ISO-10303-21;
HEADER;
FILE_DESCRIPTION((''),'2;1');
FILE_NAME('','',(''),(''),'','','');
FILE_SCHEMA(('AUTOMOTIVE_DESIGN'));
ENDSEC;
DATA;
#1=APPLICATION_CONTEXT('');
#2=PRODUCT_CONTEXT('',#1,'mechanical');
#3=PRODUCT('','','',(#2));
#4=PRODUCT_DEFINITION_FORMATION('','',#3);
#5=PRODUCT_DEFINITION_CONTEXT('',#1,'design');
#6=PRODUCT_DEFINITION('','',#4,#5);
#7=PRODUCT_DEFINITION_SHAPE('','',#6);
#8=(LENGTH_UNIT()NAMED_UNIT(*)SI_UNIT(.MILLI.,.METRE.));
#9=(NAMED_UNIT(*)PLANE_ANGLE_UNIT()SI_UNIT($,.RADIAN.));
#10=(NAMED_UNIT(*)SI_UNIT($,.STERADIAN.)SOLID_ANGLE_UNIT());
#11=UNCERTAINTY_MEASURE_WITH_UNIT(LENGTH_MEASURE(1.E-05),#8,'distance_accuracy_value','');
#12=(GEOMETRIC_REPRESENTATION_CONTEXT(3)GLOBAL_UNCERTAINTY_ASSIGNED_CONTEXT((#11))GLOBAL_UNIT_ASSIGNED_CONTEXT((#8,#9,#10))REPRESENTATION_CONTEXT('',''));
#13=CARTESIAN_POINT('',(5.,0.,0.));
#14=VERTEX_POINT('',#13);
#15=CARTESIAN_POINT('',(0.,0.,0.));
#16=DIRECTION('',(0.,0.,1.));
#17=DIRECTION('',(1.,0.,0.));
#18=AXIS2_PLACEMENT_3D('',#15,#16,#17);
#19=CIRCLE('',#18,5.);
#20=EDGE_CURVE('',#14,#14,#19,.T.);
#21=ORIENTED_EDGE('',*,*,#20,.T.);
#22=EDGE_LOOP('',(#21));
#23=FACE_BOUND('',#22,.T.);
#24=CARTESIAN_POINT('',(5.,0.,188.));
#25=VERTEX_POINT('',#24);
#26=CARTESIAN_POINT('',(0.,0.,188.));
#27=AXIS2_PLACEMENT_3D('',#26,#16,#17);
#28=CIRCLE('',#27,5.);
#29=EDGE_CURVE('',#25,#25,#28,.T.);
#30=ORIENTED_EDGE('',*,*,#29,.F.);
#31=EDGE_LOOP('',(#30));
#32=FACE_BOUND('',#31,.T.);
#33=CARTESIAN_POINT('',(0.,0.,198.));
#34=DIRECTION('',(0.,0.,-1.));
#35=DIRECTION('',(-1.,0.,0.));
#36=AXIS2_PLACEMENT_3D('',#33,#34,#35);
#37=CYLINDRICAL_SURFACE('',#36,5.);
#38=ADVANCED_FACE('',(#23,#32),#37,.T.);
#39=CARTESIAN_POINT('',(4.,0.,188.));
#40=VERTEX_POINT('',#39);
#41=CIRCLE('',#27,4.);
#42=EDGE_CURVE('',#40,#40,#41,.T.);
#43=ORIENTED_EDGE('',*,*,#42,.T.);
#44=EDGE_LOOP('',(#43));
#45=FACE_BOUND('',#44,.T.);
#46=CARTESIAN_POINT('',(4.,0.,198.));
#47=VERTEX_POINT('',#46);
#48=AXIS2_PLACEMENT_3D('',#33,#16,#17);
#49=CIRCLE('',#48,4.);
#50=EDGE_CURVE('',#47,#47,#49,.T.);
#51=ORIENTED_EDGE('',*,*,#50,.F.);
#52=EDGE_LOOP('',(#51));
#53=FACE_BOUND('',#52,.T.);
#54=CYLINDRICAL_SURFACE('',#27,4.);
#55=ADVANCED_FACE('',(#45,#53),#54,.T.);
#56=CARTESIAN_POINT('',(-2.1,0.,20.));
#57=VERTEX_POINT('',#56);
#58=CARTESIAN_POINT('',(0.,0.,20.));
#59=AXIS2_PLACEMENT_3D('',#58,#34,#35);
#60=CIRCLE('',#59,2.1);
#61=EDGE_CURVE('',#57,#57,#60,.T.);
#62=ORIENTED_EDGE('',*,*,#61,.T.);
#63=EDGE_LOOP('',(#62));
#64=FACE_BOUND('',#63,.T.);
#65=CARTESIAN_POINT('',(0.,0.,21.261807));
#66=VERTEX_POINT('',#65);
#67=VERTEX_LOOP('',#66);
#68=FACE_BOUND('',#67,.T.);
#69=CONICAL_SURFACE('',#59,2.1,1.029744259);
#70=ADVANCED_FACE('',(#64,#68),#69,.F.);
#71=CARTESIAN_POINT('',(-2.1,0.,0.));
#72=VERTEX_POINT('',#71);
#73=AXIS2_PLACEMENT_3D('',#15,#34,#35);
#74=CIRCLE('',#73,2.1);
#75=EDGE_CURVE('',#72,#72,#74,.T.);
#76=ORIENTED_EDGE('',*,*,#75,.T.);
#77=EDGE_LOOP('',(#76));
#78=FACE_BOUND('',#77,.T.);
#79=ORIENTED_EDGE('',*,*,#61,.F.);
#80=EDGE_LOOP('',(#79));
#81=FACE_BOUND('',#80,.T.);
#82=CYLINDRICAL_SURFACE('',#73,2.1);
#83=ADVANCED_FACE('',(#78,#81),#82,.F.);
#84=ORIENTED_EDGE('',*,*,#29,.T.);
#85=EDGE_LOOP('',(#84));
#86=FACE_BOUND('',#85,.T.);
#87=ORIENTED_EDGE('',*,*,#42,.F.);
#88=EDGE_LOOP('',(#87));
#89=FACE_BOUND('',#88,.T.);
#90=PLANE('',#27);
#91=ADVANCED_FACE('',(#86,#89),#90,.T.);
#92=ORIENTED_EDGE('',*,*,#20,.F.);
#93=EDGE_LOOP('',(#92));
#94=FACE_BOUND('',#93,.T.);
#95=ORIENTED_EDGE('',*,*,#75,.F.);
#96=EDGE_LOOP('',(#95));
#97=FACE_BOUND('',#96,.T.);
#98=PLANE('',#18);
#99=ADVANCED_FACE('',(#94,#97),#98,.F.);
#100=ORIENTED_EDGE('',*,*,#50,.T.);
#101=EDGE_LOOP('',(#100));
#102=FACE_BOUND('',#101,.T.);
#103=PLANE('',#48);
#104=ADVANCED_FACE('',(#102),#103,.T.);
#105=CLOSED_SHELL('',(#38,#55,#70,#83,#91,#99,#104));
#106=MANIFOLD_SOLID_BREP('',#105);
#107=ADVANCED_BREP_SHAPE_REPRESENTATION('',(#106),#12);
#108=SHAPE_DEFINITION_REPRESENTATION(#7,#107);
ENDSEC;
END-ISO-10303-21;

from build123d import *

# Parameters (mm, degrees)
SKETCH1_R                  = 5
BOSS_EXTRUDE1_DEPTH        = 198
OTW_R_GWINTOWANY_M52_D     = 4.2
OTW_R_GWINTOWANY_M52_DEPTH = 20
OTW_R_GWINTOWANY_M52_TIP   = 1.2618073
SZKIC7_R                   = 5.5
SZKIC7_R_2                 = 4
WYTNIJ_WYCI_GNI_CIE1_DEPTH = 10


with BuildPart() as part:
    # Sketch1 → Boss-Extrude1 (new body)
    with BuildSketch(Plane.XY):
        Circle(SKETCH1_R)
    extrude(amount=BOSS_EXTRUDE1_DEPTH)

    # Otwór gwintowany M52
    with Locations(Plane(origin=(0, 0, 0), x_dir=(-1, 0, 0), z_dir=(0, 0, -1))):
        with Locations((0, 0)):
            Hole(OTW_R_GWINTOWANY_M52_D / 2, depth=OTW_R_GWINTOWANY_M52_DEPTH)
            with Locations((0, 0, -(OTW_R_GWINTOWANY_M52_DEPTH + OTW_R_GWINTOWANY_M52_TIP / 2))):  # 118° drill point
                Cone(0, OTW_R_GWINTOWANY_M52_D / 2, OTW_R_GWINTOWANY_M52_TIP, mode=Mode.SUBTRACT)

    # Szkic7 → Wytnij-wyciągnięcie1 (cut)
    with BuildSketch(Plane.XY.offset(198)):
        Circle(SZKIC7_R)
        Circle(SZKIC7_R_2, mode=Mode.SUBTRACT)
    extrude(amount=-WYTNIJ_WYCI_GNI_CIE1_DEPTH, mode=Mode.SUBTRACT)


solid = part.part
